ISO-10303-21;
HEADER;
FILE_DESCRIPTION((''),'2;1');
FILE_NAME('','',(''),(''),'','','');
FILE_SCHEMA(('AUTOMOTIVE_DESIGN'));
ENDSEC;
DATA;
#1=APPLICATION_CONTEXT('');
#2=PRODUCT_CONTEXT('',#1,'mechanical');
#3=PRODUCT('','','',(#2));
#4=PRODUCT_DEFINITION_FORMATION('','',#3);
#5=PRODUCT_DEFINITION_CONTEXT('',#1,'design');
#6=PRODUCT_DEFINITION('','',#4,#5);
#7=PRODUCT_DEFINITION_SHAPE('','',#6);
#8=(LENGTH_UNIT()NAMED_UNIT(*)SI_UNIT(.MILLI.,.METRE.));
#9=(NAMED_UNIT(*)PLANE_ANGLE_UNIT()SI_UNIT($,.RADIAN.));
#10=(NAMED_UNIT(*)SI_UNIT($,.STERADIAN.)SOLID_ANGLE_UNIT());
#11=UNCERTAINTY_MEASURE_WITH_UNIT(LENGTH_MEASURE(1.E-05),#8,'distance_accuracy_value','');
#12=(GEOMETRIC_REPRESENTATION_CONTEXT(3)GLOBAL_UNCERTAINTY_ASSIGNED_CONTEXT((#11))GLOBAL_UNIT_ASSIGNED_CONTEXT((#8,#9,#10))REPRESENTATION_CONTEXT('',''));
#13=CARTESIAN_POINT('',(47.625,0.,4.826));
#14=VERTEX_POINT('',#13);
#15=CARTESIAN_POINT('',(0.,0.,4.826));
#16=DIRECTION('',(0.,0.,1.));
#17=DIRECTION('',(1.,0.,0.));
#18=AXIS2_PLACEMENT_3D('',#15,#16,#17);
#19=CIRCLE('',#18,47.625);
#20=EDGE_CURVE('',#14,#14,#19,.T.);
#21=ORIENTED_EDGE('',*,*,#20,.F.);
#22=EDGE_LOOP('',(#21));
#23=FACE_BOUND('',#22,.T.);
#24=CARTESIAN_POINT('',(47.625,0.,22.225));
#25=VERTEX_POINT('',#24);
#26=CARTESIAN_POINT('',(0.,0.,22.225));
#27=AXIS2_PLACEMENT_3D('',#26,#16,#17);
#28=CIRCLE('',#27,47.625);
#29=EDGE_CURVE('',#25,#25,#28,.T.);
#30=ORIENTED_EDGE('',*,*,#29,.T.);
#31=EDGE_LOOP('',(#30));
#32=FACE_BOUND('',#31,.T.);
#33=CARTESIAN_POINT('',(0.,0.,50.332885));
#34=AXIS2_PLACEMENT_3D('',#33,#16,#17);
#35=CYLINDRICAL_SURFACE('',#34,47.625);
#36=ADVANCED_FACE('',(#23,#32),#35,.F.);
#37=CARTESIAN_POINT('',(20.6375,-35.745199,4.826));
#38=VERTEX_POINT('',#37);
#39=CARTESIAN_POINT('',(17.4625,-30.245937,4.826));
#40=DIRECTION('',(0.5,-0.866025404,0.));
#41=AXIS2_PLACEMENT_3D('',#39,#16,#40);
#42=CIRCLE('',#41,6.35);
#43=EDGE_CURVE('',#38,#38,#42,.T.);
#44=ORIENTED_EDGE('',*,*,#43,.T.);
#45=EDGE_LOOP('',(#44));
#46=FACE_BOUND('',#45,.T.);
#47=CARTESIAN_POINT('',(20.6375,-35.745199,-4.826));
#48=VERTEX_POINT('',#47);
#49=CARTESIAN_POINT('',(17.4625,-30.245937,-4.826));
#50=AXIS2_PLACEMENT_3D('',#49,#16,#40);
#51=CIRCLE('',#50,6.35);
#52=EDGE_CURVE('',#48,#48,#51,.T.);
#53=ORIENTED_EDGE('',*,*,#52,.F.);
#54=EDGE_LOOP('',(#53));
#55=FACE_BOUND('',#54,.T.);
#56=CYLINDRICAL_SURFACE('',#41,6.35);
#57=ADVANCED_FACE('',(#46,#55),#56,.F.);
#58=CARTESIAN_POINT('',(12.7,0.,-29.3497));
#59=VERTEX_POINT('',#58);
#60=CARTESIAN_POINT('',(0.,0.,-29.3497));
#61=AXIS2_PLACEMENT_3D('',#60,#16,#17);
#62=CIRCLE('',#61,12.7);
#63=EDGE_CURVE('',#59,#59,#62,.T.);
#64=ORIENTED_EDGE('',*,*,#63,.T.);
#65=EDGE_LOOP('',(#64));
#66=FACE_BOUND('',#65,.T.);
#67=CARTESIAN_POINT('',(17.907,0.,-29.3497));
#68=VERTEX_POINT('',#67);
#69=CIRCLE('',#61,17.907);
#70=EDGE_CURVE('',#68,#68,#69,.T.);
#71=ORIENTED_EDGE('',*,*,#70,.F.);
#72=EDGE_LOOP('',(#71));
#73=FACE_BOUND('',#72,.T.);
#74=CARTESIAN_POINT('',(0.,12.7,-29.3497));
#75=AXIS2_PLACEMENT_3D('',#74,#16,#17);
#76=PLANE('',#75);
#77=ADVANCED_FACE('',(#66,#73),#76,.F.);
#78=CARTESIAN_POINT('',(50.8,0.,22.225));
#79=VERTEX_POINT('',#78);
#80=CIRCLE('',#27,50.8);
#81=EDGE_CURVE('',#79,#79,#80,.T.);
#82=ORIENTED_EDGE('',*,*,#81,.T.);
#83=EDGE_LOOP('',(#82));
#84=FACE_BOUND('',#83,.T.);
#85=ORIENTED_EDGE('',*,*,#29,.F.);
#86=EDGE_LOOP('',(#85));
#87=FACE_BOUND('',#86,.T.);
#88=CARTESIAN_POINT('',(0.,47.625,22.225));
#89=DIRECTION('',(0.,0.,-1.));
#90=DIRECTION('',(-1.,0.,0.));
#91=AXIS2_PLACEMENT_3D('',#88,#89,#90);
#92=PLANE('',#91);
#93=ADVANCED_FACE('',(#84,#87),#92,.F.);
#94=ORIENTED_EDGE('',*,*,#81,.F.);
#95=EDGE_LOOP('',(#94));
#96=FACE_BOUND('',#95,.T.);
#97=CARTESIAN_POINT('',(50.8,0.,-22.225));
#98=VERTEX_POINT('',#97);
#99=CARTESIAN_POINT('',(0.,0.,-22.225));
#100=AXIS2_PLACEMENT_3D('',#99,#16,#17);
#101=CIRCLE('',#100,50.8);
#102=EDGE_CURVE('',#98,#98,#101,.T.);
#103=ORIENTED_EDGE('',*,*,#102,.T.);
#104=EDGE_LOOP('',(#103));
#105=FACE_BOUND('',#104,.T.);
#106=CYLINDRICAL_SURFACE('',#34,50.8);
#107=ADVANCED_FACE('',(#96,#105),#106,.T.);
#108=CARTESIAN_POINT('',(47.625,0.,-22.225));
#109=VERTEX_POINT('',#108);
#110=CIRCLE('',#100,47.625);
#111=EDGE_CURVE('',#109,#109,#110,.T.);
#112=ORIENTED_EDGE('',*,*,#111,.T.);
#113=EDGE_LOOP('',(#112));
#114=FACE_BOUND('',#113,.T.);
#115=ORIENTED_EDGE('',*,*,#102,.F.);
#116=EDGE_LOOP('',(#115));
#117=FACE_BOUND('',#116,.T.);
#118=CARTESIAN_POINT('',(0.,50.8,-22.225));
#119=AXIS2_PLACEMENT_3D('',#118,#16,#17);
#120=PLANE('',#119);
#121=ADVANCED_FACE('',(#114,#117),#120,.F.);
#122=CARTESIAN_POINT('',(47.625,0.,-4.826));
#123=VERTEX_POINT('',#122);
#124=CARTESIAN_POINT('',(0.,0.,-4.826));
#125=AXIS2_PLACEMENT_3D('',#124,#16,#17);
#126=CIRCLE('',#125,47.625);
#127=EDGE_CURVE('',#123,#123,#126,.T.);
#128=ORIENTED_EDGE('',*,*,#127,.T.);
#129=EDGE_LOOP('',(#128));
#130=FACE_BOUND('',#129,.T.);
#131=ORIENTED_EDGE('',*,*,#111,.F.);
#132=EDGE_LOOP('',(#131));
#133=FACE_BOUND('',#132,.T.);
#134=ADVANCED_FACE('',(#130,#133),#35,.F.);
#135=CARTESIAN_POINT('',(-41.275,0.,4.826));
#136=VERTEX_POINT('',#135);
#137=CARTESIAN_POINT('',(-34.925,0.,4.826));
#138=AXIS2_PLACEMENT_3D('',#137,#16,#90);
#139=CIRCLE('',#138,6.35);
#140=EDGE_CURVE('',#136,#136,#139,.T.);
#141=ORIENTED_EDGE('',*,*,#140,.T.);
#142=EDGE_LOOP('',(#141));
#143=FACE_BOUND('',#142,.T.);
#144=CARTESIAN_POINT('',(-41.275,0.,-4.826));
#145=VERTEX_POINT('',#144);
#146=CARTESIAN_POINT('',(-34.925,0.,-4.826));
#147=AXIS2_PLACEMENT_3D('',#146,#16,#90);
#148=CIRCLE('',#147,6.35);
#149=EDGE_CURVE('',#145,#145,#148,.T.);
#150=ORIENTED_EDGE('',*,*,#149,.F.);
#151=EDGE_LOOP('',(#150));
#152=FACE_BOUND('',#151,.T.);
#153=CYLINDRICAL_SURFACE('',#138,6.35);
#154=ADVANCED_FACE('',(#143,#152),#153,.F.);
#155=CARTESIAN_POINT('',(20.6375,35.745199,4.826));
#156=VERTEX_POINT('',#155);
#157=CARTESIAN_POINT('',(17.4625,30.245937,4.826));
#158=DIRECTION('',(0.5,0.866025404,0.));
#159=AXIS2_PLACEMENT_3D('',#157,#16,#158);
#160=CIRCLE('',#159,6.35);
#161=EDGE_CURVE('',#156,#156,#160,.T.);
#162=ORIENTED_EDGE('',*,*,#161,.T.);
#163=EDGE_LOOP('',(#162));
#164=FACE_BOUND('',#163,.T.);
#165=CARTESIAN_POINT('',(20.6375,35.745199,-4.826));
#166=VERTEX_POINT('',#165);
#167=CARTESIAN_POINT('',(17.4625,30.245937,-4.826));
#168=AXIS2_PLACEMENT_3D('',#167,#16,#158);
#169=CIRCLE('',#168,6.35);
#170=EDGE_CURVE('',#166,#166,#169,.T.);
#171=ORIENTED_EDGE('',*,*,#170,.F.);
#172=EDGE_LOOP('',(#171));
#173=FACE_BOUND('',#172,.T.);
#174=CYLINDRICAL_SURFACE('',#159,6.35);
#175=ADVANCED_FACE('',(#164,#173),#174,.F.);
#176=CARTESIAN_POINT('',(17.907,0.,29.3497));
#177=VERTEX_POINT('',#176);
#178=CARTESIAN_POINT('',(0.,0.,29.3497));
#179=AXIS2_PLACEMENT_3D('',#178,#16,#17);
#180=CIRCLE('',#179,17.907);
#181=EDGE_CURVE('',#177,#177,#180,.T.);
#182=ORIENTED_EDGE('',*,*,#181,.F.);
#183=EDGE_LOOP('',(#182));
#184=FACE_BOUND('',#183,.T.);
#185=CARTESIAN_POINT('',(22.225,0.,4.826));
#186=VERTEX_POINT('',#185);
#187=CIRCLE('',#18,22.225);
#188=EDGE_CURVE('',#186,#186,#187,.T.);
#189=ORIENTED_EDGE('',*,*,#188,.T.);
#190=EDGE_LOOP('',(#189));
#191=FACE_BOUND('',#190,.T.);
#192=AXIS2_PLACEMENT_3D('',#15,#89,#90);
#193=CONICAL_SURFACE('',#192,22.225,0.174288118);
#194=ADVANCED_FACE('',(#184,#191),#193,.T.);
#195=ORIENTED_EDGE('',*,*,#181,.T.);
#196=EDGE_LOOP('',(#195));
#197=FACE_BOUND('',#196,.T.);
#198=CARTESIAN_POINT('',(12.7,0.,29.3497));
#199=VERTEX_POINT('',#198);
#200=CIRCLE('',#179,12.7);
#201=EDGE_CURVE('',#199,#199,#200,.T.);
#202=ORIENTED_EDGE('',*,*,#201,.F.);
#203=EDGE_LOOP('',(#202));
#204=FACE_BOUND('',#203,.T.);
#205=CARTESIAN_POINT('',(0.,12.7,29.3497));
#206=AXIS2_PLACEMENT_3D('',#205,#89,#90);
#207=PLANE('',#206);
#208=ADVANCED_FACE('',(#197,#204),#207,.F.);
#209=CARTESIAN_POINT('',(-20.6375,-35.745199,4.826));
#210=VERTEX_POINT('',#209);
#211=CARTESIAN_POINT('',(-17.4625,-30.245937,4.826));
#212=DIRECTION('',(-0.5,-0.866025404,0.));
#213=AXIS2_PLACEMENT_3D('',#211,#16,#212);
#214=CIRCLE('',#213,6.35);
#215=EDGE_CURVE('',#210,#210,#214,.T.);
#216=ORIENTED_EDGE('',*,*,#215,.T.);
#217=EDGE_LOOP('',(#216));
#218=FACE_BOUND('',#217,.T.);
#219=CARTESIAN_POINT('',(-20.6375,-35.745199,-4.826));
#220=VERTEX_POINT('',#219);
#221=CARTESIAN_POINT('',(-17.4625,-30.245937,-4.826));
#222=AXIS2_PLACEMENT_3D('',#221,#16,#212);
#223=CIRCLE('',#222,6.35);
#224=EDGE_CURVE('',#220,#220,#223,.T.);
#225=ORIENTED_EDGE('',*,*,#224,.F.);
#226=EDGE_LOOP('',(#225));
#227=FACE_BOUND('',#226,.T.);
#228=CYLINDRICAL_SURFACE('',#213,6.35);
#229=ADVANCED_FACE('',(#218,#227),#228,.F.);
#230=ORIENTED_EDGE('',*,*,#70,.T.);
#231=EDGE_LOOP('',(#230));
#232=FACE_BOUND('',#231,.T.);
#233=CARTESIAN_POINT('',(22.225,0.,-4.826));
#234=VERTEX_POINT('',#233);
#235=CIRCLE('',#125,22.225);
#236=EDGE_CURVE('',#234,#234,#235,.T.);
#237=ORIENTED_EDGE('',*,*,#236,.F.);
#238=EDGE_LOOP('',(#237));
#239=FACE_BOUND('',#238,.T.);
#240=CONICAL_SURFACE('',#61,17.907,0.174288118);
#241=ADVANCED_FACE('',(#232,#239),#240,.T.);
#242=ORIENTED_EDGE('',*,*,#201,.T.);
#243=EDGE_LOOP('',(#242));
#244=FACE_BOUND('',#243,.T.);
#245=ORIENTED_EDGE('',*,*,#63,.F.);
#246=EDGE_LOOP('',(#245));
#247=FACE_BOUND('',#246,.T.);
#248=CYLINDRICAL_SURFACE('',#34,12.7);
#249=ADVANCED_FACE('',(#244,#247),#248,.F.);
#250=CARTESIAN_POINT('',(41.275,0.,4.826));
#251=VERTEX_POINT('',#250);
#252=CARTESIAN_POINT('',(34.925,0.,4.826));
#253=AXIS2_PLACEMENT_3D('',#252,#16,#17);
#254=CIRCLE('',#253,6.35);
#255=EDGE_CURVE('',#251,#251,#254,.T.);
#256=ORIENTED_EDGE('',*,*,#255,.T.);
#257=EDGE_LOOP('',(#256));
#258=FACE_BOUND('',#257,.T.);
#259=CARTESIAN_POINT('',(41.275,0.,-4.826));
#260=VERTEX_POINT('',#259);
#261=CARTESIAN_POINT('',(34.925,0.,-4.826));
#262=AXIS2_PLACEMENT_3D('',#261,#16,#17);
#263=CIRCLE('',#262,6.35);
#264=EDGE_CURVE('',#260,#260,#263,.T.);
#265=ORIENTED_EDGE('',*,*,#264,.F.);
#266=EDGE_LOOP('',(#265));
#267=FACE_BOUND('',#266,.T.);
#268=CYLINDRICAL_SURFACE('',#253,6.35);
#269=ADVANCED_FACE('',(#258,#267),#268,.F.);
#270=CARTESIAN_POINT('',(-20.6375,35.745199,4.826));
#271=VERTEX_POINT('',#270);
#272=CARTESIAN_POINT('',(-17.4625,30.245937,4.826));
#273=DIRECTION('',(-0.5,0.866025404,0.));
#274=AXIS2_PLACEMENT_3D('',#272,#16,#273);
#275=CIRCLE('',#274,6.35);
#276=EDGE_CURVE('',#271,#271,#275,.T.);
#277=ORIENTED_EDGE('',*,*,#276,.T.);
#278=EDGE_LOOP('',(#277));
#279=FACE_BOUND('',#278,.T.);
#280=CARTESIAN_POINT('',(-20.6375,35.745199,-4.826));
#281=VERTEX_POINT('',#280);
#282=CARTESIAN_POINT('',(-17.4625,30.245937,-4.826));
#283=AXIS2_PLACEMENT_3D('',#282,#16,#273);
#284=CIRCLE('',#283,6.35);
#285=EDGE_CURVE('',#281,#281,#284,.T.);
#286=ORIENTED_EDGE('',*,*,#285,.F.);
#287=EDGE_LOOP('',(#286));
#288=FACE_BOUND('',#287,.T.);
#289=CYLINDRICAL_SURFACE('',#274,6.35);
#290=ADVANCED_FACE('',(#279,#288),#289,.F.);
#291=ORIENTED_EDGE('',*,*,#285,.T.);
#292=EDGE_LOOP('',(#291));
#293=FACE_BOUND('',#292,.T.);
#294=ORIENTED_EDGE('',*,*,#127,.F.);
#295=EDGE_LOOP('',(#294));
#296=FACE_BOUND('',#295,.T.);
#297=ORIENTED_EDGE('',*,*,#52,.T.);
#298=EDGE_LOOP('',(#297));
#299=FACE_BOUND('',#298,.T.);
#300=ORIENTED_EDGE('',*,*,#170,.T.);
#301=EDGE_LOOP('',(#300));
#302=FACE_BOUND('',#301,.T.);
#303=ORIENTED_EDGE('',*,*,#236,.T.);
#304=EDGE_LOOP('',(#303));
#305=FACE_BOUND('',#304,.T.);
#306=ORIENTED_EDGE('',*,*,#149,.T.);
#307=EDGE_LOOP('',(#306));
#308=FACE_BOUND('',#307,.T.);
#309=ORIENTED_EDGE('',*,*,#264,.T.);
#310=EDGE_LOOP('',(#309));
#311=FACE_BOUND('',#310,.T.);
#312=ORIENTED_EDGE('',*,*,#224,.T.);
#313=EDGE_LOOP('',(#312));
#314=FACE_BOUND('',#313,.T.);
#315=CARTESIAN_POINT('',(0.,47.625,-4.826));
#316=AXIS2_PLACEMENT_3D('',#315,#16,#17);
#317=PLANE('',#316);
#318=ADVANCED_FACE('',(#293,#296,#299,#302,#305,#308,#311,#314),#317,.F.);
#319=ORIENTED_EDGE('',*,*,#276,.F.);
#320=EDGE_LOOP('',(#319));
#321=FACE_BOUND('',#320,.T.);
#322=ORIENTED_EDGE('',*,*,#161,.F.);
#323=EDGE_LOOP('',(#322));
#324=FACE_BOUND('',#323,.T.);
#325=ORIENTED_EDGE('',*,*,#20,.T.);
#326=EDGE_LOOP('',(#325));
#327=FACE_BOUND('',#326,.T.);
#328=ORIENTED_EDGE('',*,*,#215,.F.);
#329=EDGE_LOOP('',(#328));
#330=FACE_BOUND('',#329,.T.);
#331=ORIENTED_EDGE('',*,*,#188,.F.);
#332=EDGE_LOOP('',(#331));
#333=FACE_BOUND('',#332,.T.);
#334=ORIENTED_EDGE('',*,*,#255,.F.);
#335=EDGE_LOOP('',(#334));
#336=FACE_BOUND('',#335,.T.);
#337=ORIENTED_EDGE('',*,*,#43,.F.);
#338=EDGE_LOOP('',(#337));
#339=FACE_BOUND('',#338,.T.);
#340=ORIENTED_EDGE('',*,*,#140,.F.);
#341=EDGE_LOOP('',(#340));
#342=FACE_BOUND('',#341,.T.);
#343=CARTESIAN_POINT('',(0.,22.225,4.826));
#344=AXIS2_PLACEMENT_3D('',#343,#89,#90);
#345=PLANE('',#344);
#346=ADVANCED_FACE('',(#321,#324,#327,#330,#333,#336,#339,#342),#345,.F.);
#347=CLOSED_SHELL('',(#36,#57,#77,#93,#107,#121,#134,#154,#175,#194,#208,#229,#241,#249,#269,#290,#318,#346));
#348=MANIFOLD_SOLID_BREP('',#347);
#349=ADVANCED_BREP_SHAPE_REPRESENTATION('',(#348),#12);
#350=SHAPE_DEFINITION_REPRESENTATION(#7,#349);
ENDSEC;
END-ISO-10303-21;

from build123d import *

# Parameters (mm, degrees)
F_3_8_0_5_DIAMETER_HOLE1_D = 12.7
CIRPATTERN1_COUNT          = 6


with BuildPart() as part:
    # Sketch1 → Revolve1 (revolve)
    with BuildSketch(Plane(origin=(0, 0, 0), x_dir=(0, 0, -1), z_dir=(1, 0, 0)), mode=Mode.PRIVATE) as revolve1_sk:
        Polygon((-29.3497, 12.7), (29.3497, 12.7), (29.3497, 17.907), (4.826, 22.225), (4.826, 47.625), (22.225, 47.625), (22.225, 50.8), (-22.225, 50.8), (-22.225, 47.625), (-4.826, 47.625), (-4.826, 22.225), (-29.3497, 17.907), align=None)
    revolve(revolve1_sk.sketch.rotate(Axis((0, 0, 50.332885059), (0, 0, -1)), 90), axis=Axis((0, 0, 50.332885059), (0, 0, -1)))

    # 3/8 (0.5) Diameter Hole1 (through all)
    with Locations(Plane.XY.offset(4.826)):
        with Locations((34.925, 0)):
            f_3_8_0_5_diameter_hole1 = Hole(F_3_8_0_5_DIAMETER_HOLE1_D / 2)

    # CirPattern1: 3/8 (0.5) Diameter Hole1 ×6 about axis
    cirpattern1_axis = Axis((0, 0, 0), (0, 0, 1))
    for i in range(1, CIRPATTERN1_COUNT):
        add(f_3_8_0_5_diameter_hole1.rotate(cirpattern1_axis, i * 360 / CIRPATTERN1_COUNT), mode=Mode.SUBTRACT)


solid = part.part
